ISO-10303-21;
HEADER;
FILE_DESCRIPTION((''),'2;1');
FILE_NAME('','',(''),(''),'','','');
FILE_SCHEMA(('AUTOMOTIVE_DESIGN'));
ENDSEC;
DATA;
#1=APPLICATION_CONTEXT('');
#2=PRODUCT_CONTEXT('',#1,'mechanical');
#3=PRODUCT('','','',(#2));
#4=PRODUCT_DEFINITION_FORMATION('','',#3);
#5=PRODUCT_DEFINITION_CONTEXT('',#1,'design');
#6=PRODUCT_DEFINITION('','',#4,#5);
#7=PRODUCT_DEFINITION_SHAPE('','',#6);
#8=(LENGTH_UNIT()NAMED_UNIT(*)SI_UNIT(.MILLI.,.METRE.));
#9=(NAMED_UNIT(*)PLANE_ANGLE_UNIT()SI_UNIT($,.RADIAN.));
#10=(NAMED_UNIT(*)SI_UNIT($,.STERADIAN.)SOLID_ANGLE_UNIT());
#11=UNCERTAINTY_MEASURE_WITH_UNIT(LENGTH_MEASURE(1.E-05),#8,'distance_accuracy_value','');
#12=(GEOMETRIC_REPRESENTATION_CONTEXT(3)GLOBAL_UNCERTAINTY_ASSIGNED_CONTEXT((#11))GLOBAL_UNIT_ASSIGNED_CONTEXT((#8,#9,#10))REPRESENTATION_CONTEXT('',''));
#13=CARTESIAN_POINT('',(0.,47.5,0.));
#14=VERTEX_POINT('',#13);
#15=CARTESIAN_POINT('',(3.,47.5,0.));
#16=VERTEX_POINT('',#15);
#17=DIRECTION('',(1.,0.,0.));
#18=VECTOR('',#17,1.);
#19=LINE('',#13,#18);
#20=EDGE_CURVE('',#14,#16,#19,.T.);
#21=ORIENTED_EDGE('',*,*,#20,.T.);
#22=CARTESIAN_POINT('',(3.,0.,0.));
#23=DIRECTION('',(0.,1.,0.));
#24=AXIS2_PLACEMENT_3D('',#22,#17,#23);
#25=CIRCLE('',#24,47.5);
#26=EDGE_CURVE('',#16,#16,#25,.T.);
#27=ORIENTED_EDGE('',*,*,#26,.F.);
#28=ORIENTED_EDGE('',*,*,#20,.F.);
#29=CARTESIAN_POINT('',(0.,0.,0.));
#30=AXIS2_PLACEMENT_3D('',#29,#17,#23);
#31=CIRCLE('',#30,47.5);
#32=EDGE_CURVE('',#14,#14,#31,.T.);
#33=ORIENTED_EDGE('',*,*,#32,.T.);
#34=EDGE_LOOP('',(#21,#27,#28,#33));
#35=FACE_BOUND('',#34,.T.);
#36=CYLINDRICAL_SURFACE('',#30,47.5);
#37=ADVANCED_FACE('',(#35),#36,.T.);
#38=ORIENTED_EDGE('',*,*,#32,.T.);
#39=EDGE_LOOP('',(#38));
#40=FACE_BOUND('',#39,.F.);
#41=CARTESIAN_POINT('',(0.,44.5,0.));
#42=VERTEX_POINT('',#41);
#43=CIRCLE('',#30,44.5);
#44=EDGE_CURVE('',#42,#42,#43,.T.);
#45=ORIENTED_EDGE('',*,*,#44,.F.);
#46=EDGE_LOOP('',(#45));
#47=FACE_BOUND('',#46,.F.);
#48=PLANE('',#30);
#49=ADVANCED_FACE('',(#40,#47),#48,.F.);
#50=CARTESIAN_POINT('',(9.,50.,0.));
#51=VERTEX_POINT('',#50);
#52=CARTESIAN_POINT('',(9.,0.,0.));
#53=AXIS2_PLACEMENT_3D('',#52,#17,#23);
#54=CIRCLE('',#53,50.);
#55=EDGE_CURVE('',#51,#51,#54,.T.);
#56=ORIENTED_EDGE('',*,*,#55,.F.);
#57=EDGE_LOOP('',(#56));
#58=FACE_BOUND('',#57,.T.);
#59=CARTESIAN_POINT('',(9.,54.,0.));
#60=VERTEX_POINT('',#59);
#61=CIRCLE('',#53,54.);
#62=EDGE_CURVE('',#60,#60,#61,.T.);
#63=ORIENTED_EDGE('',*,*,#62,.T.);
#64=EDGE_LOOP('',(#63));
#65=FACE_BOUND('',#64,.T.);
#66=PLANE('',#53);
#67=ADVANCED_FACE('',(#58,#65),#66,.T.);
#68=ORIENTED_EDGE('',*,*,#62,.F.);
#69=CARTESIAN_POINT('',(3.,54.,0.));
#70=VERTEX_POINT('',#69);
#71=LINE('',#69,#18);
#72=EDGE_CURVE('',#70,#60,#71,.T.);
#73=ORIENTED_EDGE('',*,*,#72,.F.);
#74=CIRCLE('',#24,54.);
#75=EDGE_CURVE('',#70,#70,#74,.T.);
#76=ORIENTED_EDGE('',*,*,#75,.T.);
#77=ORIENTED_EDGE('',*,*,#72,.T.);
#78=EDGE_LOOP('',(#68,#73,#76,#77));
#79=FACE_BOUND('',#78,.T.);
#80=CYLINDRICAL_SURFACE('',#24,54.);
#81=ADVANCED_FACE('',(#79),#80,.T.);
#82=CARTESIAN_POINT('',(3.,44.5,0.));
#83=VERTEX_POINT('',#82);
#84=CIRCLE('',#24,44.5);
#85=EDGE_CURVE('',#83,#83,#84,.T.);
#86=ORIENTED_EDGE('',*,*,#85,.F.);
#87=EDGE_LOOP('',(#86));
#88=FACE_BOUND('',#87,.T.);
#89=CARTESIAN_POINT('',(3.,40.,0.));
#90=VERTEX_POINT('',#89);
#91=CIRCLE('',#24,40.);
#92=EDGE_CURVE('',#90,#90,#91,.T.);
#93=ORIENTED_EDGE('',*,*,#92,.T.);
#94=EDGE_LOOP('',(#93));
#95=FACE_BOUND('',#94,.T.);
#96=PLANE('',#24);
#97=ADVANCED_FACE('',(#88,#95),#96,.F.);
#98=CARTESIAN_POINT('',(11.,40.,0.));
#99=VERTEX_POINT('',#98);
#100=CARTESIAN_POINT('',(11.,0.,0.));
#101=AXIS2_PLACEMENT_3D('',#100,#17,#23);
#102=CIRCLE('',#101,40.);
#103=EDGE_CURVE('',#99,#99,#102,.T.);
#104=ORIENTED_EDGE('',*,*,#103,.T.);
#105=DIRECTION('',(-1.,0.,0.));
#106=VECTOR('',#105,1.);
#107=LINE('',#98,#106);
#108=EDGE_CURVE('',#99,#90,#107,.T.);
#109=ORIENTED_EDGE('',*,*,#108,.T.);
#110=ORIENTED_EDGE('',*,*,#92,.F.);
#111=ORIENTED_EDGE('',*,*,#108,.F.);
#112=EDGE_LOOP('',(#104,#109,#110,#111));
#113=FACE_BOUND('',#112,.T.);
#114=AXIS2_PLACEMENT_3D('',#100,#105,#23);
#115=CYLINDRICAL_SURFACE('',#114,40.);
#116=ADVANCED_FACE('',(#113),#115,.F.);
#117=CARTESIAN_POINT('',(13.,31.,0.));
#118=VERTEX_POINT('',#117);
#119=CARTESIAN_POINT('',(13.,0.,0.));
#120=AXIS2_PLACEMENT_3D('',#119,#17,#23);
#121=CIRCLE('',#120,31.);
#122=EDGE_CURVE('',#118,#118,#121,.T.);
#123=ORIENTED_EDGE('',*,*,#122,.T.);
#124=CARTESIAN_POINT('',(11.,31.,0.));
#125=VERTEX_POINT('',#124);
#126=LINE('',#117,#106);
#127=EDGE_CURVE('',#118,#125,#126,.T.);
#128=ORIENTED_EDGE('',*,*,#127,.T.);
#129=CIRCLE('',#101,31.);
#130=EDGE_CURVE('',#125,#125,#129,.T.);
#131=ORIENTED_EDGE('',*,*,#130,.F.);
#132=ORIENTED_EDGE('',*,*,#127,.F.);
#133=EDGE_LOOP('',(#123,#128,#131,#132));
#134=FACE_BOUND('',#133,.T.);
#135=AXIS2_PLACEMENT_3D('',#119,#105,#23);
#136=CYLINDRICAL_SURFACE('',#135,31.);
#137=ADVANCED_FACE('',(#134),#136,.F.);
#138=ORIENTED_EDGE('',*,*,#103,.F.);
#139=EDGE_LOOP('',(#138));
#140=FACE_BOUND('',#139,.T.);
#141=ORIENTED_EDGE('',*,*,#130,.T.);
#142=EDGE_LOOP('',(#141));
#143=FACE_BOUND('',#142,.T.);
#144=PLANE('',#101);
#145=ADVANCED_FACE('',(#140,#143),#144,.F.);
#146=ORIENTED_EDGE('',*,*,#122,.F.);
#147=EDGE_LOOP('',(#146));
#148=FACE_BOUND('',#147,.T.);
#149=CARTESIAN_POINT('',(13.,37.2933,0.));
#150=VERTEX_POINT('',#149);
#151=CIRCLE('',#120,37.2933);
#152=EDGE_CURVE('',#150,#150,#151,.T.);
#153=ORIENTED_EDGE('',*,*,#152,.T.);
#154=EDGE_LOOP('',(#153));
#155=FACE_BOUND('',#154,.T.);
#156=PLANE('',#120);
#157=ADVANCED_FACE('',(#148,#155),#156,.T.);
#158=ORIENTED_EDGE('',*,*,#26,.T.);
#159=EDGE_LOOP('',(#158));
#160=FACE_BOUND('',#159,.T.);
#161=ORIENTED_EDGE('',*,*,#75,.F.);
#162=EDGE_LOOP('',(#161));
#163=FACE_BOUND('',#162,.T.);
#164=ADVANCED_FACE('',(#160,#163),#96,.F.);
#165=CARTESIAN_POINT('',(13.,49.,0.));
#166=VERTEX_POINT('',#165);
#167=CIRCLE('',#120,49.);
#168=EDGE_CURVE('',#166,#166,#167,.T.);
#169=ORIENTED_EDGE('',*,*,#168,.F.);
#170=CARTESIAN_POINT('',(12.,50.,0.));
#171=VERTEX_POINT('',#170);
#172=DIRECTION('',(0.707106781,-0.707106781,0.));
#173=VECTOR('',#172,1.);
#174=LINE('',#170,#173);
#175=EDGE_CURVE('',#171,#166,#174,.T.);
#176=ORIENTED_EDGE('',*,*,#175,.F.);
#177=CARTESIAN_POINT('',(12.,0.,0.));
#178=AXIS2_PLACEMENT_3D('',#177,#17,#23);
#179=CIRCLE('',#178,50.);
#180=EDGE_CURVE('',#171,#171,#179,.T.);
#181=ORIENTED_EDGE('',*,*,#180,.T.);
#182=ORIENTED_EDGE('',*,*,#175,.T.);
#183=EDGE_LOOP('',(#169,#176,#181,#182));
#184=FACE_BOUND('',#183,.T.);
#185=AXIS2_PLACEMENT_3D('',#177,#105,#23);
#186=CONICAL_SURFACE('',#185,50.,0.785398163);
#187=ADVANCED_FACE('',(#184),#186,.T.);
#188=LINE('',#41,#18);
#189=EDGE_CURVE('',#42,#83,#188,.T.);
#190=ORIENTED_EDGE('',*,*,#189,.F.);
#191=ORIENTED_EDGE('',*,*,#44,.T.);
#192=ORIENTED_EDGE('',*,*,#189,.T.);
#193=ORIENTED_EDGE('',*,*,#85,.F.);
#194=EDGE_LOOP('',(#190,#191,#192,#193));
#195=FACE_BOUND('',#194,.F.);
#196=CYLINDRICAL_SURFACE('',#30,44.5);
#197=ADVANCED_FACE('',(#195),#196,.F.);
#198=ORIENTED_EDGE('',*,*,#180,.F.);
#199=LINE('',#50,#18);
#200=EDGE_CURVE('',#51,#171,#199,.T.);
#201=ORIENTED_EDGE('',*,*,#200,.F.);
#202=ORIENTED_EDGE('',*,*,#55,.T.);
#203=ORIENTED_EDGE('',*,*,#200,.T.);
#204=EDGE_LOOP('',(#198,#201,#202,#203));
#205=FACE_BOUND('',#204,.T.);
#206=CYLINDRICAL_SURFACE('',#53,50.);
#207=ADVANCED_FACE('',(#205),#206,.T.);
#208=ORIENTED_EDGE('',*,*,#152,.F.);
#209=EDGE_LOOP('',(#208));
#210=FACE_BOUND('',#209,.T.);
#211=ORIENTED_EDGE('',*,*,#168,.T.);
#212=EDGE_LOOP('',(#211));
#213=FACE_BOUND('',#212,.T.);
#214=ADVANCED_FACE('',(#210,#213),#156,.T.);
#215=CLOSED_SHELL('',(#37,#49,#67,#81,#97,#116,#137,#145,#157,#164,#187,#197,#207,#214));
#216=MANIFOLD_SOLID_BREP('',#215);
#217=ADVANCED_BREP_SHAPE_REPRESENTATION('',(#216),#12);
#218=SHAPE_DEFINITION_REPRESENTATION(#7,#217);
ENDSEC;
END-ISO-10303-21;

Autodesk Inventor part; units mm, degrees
ref_plane "YZ Plane" through (0, 0, 0) normal (1, 0, 0) x (0, 1, 0)
ref_plane "XZ Plane" through (0, 0, 0) normal (0, 1, 0) x (-1, 0, 0)
ref_plane "XY Plane" through (0, 0, 0) normal (0, 0, 1) x (1, 0, 0)
sketch "Эскиз1" plane through (0, 0, 0) normal (0, 0, 1) x (1, 0, 0)
  line L0 (0, 0) -> (29.4445, 0)
  line L1 (0, 47.5) -> (3, 47.5)
  line L2 (0, 47.5) -> (0, 44.5)
  line L3 (0, 44.5) -> (3, 44.5)
  line L4 (3, 47.5) -> (3, 54)
  line L5 (3, 54) -> (9, 54)
  line L6 (9, 54) -> (9, 50)
  line L7 (9, 50) -> (13, 50)
  line L8 (13, 50) -> (13, 37.2933)
  line L9 (13, 37.2933) -> (13, 31)
  line L10 (13, 31) -> (11, 31)
  line L11 (11, 31) -> (11, 40)
  line L12 (11, 40) -> (3, 40)
  line L13 (3, 40) -> (3, 44.5)
  dimension "d2" = 62
  dimension "d3" = 100
  dimension "d5" = 6
  dimension "d6" = 89
  dimension "d7" = 80
  dimension "d8" = 8
  dimension "d9" = 0
  dimension "d10" = 13
  dimension "d15" = 3
  dimension "d16" = 3
  dimension "d17" = 108
revolve "Вращение1" add sketch "Эскиз1" angle 360 about axis through (0, 0, 0) along (1, 0, 0)
chamfer "Фаска1" distance 1 angle 45 1 edges at (13, -50, 0)
properties part number "Крышка правая" material "Сталь, углеродистая"
